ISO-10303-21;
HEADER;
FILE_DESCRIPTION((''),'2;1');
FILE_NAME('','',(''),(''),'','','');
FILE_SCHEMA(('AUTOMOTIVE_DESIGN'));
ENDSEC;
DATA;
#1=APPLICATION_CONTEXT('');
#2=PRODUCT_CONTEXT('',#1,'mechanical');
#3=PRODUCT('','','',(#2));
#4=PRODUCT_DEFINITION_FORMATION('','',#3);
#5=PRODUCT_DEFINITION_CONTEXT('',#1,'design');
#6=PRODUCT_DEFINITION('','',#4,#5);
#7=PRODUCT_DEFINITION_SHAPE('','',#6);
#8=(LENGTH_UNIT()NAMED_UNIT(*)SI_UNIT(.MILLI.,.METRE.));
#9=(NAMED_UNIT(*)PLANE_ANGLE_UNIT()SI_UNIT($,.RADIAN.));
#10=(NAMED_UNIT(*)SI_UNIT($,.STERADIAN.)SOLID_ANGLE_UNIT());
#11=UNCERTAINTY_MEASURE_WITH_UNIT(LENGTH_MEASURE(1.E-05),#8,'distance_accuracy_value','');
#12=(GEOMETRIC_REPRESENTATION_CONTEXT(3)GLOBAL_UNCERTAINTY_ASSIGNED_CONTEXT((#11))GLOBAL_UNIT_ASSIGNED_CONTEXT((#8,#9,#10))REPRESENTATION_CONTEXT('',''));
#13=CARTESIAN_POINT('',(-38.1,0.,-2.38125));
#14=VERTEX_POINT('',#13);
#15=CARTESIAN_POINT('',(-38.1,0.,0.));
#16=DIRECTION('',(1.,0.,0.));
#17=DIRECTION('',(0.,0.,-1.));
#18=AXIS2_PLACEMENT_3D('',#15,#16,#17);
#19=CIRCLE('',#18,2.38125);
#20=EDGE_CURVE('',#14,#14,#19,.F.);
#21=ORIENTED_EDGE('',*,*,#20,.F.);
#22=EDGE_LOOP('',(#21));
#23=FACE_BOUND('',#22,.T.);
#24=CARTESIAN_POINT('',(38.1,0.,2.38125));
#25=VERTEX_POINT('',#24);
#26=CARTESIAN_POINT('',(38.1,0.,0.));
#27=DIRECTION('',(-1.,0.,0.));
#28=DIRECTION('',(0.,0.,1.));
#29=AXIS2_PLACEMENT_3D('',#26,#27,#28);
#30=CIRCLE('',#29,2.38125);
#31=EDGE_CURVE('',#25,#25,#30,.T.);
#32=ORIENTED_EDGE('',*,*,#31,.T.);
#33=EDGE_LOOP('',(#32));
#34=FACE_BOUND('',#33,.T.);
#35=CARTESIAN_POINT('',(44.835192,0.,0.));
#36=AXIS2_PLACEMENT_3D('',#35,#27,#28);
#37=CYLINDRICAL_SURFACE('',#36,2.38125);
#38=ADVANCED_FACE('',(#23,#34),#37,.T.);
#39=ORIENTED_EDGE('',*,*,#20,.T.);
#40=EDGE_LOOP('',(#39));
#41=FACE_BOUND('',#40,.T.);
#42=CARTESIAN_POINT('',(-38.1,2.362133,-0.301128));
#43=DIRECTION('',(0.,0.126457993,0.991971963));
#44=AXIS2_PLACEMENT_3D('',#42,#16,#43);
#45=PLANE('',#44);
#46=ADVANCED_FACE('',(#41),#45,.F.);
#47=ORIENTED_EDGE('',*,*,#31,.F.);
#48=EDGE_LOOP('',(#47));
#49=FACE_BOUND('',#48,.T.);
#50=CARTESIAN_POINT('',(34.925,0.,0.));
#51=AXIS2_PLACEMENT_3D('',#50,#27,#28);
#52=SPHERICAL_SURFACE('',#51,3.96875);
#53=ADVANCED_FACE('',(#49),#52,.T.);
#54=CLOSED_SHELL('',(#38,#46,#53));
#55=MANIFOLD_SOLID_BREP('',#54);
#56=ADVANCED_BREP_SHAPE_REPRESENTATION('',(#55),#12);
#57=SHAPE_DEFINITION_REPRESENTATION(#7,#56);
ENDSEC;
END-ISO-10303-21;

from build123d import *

# Parameters (mm, degrees)
BOSS_EXTRUDE1_DEPTH      = 38.1
BOSS_EXTRUDE1_DEPTH_BACK = 38.1
SKETCH1_R                = 2.38125


with BuildPart() as part:
    # Sketch1 → Boss-Extrude1 (new, two sides: drawn at the far end of the back side and taken through both)
    with BuildSketch(Plane(origin=(0, 0, 0), x_dir=(0, 0, -1), z_dir=(1, 0, 0)).offset(-BOSS_EXTRUDE1_DEPTH_BACK)):
        with Locations(Location((0, 0, 0), (0, 0, 180))):
            Circle(SKETCH1_R)
    extrude(amount=BOSS_EXTRUDE1_DEPTH + BOSS_EXTRUDE1_DEPTH_BACK)

    # Sketch2 → Revolve2 (revolve)
    with BuildSketch(Plane(origin=(0, 0, 0), x_dir=(1, 0, 0), z_dir=(0, 1, 0))):
        with BuildLine():
            Line((38.1, 0), (38.1, -2.38125))
            ThreePointArc((38.1, -2.38125), (38.690086839, -1.255028946), (38.89375, 0))
            Line((38.89375, 0), (38.1, 0))
        make_face()
    revolve(axis=Axis((38.1, 0, 0), (1, 0, 0)))


solid = part.part
